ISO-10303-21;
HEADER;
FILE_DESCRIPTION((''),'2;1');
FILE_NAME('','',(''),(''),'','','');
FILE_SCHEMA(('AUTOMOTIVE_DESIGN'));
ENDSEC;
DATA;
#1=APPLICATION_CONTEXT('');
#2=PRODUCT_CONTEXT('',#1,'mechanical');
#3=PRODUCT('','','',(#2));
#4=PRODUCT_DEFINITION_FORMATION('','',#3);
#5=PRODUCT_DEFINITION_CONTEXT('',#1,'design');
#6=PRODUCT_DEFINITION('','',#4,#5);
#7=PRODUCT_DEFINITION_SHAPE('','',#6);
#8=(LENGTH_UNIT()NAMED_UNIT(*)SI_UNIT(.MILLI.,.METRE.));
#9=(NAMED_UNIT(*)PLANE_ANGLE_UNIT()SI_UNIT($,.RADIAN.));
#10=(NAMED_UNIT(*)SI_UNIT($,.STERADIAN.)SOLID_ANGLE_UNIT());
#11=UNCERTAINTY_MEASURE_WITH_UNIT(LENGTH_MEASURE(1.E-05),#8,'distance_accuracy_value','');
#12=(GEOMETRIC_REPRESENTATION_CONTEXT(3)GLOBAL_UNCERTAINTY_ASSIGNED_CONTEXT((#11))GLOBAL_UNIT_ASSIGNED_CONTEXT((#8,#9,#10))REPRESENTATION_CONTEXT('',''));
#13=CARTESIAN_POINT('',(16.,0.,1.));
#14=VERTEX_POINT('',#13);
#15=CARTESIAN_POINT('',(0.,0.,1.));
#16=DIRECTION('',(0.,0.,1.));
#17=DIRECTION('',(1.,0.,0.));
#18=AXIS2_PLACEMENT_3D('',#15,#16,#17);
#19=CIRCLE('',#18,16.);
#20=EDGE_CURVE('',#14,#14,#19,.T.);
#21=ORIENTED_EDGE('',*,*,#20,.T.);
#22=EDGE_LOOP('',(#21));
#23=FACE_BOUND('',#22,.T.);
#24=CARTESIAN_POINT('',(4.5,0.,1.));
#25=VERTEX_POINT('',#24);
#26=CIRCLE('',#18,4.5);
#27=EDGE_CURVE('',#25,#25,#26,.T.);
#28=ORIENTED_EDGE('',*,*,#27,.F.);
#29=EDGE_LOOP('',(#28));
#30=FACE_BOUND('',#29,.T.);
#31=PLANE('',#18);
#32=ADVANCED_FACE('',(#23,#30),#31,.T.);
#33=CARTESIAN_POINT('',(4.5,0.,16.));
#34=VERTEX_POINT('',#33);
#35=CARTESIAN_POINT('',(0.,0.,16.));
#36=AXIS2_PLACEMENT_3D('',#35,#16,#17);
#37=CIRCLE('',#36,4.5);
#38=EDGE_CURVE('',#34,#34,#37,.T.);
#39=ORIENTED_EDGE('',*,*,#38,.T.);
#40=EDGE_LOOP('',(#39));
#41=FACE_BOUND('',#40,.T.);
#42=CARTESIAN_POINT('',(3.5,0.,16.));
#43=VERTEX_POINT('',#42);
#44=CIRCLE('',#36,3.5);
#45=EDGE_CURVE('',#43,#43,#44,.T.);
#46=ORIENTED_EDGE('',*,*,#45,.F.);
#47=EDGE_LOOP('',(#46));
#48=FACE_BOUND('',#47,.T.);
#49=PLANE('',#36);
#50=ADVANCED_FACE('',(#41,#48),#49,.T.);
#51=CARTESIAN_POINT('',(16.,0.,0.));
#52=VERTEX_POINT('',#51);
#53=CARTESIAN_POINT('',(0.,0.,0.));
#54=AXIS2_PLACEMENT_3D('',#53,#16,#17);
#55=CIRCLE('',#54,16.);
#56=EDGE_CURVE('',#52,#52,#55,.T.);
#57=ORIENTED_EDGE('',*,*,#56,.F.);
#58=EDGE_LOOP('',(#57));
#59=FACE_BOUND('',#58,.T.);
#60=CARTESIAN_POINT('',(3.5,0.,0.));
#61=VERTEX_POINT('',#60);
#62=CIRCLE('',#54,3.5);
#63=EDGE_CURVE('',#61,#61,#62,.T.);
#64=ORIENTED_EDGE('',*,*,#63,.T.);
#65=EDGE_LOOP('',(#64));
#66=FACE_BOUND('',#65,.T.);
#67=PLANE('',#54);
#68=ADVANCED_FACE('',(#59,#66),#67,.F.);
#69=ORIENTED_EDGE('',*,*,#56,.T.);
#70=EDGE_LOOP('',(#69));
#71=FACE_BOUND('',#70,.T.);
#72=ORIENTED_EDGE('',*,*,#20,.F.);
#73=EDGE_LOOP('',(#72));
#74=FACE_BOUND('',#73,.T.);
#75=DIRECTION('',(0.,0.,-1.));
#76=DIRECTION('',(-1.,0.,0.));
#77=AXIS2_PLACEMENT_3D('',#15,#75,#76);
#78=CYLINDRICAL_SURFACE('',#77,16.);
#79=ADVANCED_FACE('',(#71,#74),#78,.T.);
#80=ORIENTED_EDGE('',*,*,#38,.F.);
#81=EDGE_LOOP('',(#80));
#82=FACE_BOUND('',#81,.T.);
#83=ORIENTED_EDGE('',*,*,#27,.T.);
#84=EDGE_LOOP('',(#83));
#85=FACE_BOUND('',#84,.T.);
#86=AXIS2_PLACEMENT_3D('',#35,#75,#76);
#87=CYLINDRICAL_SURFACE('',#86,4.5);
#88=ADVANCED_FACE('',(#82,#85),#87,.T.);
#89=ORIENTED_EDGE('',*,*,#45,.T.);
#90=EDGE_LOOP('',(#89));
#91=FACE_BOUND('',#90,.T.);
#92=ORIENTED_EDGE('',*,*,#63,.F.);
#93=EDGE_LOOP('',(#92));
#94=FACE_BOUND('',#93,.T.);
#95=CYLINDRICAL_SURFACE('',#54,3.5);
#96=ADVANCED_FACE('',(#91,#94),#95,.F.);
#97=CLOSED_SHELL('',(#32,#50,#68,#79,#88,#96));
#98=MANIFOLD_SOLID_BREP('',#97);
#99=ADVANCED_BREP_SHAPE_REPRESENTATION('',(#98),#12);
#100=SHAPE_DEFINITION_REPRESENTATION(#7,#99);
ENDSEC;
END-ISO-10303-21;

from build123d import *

# Parameters (mm, degrees)
SKETCH1_R               = 16
BOSS_EXTRUDE1_DEPTH     = 1
SKETCH2_R               = 4.5
BOSS_EXTRUDE2_DEPTH     = 15
CUT_EXTRUDE1_DEPTH      = 28.712812921
CUT_EXTRUDE1_DEPTH_BACK = 28.712812921
SKETCH3_R               = 3.5


with BuildPart() as part:
    # Sketch1 → Boss-Extrude1 (new body)
    with BuildSketch(Plane.XY):
        Circle(SKETCH1_R)
    extrude(amount=BOSS_EXTRUDE1_DEPTH)

    # Sketch2 → Boss-Extrude2 (add)
    with BuildSketch(Plane.XY.offset(1)):
        Circle(SKETCH2_R)
    extrude(amount=BOSS_EXTRUDE2_DEPTH)

    # Sketch3 → Cut-Extrude1 (cut, two sides: drawn at the far end of the back side and taken through both)
    with BuildSketch(Plane.XY.offset(16).offset(-CUT_EXTRUDE1_DEPTH_BACK)):
        Circle(SKETCH3_R)
    extrude(amount=CUT_EXTRUDE1_DEPTH + CUT_EXTRUDE1_DEPTH_BACK, mode=Mode.SUBTRACT)


solid = part.part
